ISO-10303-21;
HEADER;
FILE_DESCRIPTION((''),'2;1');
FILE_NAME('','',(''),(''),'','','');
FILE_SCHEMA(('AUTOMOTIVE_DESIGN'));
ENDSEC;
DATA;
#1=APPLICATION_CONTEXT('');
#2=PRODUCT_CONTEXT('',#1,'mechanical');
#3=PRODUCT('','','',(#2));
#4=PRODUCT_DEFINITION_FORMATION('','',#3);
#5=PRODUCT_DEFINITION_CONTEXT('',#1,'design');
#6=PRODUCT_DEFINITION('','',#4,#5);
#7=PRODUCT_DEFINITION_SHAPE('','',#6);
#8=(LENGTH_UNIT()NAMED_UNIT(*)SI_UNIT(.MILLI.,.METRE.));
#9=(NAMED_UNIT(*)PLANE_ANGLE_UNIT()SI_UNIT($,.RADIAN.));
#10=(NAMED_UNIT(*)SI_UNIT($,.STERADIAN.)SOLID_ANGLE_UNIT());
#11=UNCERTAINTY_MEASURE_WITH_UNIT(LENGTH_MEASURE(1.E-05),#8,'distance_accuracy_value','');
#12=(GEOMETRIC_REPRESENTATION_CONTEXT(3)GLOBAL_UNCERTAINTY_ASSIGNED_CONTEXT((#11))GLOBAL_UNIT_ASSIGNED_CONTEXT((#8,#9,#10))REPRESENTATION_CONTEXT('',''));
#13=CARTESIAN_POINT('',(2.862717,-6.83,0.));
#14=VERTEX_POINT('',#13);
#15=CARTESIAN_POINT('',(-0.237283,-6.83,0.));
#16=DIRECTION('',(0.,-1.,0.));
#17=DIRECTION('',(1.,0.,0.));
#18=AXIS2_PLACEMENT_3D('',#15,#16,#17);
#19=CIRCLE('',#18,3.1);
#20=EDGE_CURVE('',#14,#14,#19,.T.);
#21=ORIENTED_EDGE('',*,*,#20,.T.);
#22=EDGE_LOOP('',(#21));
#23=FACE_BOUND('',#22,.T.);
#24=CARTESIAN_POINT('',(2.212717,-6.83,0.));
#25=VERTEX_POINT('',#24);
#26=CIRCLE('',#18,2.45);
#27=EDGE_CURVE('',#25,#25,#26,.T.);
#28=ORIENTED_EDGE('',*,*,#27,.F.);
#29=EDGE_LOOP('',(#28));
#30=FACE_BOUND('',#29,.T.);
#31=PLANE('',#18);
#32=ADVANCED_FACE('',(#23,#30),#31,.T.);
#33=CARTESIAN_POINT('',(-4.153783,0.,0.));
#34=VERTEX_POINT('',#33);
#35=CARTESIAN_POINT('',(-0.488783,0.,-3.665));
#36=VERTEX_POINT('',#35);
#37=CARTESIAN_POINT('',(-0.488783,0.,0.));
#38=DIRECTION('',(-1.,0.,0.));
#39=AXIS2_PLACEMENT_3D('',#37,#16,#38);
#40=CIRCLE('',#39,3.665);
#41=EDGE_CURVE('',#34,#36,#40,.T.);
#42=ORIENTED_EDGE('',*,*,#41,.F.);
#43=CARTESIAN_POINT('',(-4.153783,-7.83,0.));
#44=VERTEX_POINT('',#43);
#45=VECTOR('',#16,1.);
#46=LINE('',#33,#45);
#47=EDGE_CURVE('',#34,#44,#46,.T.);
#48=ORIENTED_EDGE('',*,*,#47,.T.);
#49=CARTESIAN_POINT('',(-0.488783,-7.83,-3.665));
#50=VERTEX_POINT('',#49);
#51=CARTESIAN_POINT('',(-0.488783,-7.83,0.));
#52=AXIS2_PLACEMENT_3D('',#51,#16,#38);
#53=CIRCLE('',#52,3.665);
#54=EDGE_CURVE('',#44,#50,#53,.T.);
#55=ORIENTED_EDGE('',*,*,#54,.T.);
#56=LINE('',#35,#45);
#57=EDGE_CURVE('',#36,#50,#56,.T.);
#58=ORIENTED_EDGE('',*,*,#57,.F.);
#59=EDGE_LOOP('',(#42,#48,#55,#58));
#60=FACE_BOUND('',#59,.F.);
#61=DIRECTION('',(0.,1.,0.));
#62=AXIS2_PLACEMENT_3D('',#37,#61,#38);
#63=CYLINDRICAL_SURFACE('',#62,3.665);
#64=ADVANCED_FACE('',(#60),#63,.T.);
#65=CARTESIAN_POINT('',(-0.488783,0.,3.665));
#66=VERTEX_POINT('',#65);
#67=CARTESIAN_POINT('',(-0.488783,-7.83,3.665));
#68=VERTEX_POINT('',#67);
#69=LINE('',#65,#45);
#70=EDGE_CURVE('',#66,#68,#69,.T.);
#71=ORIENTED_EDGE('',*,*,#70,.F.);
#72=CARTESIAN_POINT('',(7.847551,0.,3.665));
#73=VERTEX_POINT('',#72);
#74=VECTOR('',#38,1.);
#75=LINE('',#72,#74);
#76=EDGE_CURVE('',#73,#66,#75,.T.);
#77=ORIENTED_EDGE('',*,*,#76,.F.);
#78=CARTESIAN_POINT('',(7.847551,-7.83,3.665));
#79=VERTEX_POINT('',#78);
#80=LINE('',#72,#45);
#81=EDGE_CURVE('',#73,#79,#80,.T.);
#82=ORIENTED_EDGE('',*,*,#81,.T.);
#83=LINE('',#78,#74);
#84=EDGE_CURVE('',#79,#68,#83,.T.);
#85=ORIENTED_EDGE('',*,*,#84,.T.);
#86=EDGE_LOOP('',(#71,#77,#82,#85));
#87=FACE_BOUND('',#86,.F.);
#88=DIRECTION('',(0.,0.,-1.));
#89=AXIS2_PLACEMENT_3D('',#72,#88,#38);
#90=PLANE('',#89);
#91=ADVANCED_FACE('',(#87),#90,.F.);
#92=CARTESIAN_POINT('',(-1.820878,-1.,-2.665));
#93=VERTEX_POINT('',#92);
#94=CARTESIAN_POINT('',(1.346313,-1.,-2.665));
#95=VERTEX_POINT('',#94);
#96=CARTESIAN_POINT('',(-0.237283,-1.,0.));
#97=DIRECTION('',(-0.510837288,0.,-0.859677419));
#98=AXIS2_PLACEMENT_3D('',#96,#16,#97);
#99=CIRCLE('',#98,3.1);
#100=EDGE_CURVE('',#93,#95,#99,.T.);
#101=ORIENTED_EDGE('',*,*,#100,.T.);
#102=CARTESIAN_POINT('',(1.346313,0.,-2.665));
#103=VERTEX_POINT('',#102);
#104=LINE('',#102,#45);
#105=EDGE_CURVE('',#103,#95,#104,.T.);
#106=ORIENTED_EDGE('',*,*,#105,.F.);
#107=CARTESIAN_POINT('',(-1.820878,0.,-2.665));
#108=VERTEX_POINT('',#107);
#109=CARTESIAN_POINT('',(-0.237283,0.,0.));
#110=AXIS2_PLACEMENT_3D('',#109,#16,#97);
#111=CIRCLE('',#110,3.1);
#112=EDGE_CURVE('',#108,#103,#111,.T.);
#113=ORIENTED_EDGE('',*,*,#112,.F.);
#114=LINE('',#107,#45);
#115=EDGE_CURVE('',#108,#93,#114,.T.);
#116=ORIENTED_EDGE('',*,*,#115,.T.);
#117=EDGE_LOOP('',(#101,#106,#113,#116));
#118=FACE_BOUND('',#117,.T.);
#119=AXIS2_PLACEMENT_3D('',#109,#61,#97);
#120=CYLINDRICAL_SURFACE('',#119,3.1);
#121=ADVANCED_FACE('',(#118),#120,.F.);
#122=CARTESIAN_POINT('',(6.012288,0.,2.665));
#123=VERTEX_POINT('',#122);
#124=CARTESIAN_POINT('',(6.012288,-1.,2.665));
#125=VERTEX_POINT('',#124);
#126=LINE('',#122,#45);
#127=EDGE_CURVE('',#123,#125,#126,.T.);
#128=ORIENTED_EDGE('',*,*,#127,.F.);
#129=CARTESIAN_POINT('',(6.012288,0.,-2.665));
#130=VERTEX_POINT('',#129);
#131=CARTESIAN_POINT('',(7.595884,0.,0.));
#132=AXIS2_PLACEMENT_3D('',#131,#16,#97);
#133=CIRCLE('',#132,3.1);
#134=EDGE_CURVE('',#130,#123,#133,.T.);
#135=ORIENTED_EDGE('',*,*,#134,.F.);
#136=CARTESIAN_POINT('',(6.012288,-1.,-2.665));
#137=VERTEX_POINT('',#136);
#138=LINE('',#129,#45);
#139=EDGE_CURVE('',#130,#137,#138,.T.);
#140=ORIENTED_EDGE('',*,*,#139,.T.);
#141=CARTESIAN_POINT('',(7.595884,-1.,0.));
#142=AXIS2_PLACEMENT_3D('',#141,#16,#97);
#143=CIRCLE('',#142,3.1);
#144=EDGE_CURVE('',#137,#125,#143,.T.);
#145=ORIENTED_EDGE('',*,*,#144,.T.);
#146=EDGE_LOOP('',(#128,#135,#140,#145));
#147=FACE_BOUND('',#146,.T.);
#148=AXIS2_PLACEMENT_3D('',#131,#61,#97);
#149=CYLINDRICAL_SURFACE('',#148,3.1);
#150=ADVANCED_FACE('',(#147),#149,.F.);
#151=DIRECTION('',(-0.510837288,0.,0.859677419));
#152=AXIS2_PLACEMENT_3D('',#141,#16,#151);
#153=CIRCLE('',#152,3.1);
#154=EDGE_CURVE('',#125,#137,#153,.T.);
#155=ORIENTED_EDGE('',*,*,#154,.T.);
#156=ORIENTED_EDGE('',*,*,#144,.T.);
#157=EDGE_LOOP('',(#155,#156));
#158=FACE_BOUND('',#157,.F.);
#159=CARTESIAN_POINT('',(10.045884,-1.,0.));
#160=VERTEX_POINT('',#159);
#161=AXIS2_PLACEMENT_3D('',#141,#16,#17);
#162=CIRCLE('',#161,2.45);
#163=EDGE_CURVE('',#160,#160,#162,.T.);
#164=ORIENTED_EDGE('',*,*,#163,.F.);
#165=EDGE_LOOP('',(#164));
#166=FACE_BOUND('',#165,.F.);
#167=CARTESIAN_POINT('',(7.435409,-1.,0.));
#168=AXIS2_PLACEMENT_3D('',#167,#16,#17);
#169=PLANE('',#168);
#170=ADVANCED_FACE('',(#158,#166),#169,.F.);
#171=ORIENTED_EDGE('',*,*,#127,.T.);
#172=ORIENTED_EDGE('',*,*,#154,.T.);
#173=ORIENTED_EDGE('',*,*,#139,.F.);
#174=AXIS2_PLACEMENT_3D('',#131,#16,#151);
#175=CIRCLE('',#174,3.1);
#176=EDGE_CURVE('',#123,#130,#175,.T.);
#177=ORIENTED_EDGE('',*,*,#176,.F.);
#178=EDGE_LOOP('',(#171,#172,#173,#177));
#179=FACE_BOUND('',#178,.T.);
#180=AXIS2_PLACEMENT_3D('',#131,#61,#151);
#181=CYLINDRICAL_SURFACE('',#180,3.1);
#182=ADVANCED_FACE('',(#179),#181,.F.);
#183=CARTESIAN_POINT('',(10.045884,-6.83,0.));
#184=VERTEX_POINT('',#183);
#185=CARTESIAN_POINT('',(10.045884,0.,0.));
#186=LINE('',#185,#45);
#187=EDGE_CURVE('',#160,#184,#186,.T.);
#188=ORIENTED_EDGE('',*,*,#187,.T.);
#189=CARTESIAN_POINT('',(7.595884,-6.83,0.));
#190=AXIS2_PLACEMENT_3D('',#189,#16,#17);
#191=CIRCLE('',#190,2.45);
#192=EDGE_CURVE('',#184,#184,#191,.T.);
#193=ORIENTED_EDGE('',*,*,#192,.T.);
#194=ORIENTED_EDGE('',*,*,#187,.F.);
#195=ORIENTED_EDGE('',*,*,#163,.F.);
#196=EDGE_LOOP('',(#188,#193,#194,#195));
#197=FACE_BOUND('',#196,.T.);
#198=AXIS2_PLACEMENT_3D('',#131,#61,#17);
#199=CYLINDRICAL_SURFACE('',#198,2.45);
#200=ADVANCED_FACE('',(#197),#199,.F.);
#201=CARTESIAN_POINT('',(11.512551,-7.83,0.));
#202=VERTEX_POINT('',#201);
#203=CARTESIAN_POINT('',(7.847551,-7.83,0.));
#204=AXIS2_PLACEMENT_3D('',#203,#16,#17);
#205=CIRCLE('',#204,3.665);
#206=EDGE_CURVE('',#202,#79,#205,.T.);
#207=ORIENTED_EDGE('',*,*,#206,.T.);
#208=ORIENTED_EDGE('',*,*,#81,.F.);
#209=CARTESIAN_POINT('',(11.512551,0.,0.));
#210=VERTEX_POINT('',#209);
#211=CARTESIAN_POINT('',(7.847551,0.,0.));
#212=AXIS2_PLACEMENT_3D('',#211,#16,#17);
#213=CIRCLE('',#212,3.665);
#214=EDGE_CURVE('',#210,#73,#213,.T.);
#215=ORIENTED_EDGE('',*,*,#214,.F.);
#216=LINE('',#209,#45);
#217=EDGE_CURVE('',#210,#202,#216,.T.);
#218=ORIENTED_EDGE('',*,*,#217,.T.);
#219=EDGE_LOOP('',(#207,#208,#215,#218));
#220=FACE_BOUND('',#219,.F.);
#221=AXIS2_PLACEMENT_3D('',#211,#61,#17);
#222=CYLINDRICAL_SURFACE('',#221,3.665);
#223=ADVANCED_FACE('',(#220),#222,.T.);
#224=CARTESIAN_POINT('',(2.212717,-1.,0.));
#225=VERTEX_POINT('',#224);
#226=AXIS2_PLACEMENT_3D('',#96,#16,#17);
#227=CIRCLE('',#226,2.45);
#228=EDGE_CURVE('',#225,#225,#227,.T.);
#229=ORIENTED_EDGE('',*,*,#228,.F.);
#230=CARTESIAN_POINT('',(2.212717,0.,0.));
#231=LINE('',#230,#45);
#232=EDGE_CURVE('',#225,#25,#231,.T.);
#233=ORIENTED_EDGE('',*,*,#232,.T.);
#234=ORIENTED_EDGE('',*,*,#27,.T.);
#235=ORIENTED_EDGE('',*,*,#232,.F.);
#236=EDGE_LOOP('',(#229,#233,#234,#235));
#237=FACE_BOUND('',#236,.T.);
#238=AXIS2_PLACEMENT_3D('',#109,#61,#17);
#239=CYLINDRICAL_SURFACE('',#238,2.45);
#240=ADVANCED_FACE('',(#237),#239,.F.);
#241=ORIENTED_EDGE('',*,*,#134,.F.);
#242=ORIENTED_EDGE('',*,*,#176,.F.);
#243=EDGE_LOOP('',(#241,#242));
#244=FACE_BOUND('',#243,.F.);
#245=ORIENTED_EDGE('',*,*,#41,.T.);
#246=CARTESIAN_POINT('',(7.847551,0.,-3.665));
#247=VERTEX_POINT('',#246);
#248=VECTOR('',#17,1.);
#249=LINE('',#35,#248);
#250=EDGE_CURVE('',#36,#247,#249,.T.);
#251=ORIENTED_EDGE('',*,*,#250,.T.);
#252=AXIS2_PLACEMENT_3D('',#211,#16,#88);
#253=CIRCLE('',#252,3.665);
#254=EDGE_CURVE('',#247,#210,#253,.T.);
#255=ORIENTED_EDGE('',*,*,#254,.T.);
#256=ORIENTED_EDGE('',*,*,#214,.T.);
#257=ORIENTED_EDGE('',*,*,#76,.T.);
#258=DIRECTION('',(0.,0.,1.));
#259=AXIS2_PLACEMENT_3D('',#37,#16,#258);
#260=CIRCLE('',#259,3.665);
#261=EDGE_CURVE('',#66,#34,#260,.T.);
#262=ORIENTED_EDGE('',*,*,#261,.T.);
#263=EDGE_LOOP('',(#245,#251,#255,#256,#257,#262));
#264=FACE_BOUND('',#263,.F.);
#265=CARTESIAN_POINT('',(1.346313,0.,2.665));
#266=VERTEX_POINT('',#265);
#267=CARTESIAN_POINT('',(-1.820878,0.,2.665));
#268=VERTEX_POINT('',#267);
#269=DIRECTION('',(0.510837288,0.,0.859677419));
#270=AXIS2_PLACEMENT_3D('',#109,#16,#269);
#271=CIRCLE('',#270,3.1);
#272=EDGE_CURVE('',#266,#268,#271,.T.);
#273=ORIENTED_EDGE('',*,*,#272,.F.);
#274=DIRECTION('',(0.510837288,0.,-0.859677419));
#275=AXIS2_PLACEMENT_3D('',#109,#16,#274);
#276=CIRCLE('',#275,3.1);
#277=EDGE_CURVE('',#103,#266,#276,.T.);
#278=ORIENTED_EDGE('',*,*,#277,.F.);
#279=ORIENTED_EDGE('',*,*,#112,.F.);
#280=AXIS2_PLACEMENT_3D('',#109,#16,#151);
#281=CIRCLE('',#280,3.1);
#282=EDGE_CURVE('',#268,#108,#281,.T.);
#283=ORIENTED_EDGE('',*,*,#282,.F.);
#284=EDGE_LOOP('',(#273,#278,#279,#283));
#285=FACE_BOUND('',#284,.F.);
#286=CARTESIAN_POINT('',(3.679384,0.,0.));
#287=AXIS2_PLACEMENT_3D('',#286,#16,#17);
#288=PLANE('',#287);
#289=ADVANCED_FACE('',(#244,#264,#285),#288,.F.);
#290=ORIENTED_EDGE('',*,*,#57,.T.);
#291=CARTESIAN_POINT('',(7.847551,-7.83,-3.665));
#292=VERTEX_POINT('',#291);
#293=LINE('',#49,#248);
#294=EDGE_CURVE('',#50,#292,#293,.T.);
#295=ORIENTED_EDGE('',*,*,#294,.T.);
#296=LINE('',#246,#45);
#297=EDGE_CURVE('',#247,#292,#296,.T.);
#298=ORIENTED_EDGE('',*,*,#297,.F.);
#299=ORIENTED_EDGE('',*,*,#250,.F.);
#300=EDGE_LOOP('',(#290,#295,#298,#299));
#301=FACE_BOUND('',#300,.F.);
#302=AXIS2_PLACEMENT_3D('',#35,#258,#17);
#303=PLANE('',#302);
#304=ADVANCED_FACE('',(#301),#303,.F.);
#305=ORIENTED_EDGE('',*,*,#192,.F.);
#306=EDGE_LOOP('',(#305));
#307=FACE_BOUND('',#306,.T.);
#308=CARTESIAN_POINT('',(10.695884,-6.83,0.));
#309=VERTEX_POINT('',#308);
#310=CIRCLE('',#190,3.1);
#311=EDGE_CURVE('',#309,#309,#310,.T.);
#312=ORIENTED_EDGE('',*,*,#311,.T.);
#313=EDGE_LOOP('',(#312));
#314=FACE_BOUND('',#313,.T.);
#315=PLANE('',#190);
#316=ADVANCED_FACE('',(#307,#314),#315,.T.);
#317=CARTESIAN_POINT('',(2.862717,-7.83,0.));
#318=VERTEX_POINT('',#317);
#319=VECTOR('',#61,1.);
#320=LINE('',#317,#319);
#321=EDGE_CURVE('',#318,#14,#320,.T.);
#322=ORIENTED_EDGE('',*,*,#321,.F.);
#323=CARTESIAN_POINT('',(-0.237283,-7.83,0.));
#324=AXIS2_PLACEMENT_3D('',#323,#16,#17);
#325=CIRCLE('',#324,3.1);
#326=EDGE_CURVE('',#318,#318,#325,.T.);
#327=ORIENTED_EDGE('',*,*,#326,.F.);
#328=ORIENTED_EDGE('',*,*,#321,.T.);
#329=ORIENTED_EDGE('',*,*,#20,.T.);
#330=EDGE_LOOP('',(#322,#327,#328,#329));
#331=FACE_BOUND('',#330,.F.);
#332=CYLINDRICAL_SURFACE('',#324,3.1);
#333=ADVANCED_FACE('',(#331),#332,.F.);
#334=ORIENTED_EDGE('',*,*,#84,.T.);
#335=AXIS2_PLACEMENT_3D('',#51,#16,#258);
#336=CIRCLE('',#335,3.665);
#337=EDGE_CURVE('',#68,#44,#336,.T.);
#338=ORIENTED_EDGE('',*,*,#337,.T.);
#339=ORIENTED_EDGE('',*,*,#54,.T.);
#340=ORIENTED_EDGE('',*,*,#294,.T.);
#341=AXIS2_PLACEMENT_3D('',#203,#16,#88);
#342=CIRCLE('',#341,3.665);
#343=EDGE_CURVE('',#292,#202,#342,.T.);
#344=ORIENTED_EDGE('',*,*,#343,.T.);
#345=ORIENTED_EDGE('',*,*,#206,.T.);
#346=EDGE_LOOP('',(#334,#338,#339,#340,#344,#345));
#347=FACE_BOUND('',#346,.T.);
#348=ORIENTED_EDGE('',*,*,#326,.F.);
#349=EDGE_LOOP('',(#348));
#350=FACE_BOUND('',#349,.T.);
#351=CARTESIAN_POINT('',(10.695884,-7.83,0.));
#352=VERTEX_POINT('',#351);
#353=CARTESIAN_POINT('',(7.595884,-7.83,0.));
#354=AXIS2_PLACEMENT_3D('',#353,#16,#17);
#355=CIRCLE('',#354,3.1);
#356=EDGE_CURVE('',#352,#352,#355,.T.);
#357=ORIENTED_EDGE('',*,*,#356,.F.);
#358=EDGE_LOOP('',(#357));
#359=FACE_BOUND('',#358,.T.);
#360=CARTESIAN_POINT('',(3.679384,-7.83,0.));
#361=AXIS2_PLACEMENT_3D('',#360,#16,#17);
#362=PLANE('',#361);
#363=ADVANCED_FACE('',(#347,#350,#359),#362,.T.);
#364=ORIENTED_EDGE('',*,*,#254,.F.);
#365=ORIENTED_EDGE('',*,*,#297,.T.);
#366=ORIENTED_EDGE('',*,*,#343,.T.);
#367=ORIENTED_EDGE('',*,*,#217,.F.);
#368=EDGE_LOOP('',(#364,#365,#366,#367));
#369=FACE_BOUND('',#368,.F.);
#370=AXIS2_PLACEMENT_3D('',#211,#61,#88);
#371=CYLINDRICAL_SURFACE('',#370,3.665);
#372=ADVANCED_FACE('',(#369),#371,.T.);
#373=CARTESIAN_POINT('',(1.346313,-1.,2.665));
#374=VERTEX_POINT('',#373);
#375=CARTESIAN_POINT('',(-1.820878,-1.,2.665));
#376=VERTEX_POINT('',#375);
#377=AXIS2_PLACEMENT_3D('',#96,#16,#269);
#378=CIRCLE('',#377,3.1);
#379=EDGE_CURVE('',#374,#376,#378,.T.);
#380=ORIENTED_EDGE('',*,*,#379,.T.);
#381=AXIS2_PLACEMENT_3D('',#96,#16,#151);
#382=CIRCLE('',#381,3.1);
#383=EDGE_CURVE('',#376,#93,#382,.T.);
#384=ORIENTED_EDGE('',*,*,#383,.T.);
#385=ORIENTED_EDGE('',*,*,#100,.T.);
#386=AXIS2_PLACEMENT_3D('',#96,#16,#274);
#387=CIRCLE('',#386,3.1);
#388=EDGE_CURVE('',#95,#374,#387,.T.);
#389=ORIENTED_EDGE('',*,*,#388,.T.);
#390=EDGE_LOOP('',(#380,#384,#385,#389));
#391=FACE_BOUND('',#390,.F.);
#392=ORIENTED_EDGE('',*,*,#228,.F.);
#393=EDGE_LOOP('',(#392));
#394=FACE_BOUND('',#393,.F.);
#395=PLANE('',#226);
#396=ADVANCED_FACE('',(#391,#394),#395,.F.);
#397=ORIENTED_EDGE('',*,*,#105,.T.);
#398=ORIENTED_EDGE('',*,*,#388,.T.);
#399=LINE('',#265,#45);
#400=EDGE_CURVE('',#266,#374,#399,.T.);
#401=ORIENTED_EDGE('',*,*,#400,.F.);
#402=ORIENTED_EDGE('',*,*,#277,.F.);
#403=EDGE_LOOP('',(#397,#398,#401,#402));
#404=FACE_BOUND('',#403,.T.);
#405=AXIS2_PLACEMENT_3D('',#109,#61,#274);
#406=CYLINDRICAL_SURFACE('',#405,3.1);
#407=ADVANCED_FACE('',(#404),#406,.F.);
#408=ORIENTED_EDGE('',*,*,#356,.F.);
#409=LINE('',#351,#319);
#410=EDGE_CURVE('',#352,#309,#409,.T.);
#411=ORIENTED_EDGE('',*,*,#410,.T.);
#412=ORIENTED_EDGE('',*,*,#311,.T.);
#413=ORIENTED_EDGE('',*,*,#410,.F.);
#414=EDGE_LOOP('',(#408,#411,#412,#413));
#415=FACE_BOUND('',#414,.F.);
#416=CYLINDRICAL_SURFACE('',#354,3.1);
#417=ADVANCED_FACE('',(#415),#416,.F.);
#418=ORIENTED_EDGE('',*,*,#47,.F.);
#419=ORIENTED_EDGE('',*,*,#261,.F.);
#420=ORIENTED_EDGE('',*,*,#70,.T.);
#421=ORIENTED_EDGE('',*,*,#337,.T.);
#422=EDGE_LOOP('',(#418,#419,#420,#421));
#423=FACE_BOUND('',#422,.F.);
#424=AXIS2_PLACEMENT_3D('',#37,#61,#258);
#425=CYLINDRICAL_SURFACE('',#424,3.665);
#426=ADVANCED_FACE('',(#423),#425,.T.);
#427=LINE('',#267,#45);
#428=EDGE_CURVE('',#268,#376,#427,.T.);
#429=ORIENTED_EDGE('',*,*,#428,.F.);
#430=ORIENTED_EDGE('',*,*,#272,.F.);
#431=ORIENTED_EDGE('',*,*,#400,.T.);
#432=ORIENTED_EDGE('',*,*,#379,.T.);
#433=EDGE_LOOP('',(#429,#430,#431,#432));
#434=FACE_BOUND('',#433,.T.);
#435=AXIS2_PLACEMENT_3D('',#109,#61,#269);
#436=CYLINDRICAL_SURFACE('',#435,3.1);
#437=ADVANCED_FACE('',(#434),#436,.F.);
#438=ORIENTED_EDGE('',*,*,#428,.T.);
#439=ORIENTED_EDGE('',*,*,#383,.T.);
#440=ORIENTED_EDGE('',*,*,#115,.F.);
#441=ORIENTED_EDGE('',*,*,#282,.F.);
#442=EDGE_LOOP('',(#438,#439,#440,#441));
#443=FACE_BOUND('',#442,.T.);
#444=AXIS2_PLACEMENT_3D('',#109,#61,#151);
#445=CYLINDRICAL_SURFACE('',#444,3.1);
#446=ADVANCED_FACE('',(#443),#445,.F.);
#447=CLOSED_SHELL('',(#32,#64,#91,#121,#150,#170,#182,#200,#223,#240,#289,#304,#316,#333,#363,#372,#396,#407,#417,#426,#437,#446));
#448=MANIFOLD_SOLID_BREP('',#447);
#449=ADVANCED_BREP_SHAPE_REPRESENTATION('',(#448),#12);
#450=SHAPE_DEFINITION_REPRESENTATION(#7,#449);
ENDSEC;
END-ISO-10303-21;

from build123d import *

# Parameters (mm, degrees)
F0_R     = 2.45
F1_DEPTH = 7.83
F2_DEPTH = 1
F3_R     = 3.1
F3_R_2   = 2.45
F4_DEPTH = 1


with BuildPart() as f1:
    # F0 (on Front) → F1 (new body)
    with BuildSketch(Plane.XZ):
        with BuildLine():
            ThreePointArc((-4.1537828283, 0), (-3.0803291813, -2.591546353), (-0.4887828283, -3.665))
            Line((-0.4887828283, -3.665), (7.8475505051, -3.665))
            ThreePointArc((7.8475505051, -3.665), (10.4390968581, -2.591546353), (11.5125505051, 0))
            ThreePointArc((11.5125505051, 0), (10.4390968581, 2.591546353), (7.8475505051, 3.665))
            Line((7.8475505051, 3.665), (3.6792171717, 3.665))
            Line((3.6792171717, 3.665), (-0.4887828283, 3.665))
            ThreePointArc((-0.4887828283, 3.665), (-3.0803291813, 2.591546353), (-4.1537828283, 0))
        make_face()
        with BuildLine():
            ThreePointArc((-1.8208784206, -2.665), (-3.3372828283, 0), (-1.8208784206, 2.665))
            ThreePointArc((-1.8208784206, 2.665), (-0.2372828283, 3.1), (1.346312764, 2.665))
            ThreePointArc((1.346312764, 2.665), (2.8627171717, 0), (1.346312764, -2.665))
            ThreePointArc((1.346312764, -2.665), (-0.2372828283, -3.1), (-1.8208784206, -2.665))
        make_face(mode=Mode.SUBTRACT)
        with BuildLine():
            ThreePointArc((6.0122882461, -2.665), (4.4958838384, 0), (6.0122882461, 2.665))
            ThreePointArc((6.0122882461, 2.665), (10.6958838384, 0), (6.0122882461, -2.665))
        make_face(mode=Mode.SUBTRACT)
        with BuildLine():
            ThreePointArc((1.346312764, 2.665), (-0.2372828283, 3.1), (-1.8208784206, 2.665))
            ThreePointArc((-1.8208784206, 2.665), (-3.3372828283, 0), (-1.8208784206, -2.665))
            ThreePointArc((-1.8208784206, -2.665), (-0.2372828283, -3.1), (1.346312764, -2.665))
            ThreePointArc((1.346312764, -2.665), (2.8627171717, 0), (1.346312764, 2.665))
        make_face()
        with Locations((-0.2372828283, 0)):
            Circle(F0_R, mode=Mode.SUBTRACT)
        with BuildLine():
            ThreePointArc((6.0122882461, -2.665), (10.6958838384, 0), (6.0122882461, 2.665))
            ThreePointArc((6.0122882461, 2.665), (4.4958838384, 0), (6.0122882461, -2.665))
        make_face()
        with Locations((7.5958838384, 0)):
            Circle(F0_R, mode=Mode.SUBTRACT)
    extrude(amount=F1_DEPTH)

    # F0 (on Front) → F2 (cut)
    with BuildSketch(Plane.XZ):
        with BuildLine():
            ThreePointArc((1.346312764, 2.665), (-0.2372828283, 3.1), (-1.8208784206, 2.665))
            ThreePointArc((-1.8208784206, 2.665), (-3.3372828283, 0), (-1.8208784206, -2.665))
            ThreePointArc((-1.8208784206, -2.665), (-0.2372828283, -3.1), (1.346312764, -2.665))
            ThreePointArc((1.346312764, -2.665), (2.8627171717, 0), (1.346312764, 2.665))
        make_face()
        with Locations((-0.2372828283, 0)):
            Circle(F0_R, mode=Mode.SUBTRACT)
        with BuildLine():
            ThreePointArc((6.0122882461, -2.665), (10.6958838384, 0), (6.0122882461, 2.665))
            ThreePointArc((6.0122882461, 2.665), (4.4958838384, 0), (6.0122882461, -2.665))
        make_face()
        with Locations((7.5958838384, 0)):
            Circle(F0_R, mode=Mode.SUBTRACT)
    extrude(amount=F2_DEPTH, mode=Mode.SUBTRACT)

    # F3 (on face) → F4 (cut)
    with BuildSketch(Plane.XZ.offset(7.83)):
        with Locations((-0.2372828283, 0)):
            Circle(F3_R)
        with Locations((-0.2372828283, 0)):
            Circle(F3_R_2, mode=Mode.SUBTRACT)
        with Locations((7.5958838384, 0)):
            Circle(F3_R)
        with Locations((7.5958838384, 0)):
            Circle(F3_R_2, mode=Mode.SUBTRACT)
    extrude(amount=-F4_DEPTH, mode=Mode.SUBTRACT)


solid = f1.part
